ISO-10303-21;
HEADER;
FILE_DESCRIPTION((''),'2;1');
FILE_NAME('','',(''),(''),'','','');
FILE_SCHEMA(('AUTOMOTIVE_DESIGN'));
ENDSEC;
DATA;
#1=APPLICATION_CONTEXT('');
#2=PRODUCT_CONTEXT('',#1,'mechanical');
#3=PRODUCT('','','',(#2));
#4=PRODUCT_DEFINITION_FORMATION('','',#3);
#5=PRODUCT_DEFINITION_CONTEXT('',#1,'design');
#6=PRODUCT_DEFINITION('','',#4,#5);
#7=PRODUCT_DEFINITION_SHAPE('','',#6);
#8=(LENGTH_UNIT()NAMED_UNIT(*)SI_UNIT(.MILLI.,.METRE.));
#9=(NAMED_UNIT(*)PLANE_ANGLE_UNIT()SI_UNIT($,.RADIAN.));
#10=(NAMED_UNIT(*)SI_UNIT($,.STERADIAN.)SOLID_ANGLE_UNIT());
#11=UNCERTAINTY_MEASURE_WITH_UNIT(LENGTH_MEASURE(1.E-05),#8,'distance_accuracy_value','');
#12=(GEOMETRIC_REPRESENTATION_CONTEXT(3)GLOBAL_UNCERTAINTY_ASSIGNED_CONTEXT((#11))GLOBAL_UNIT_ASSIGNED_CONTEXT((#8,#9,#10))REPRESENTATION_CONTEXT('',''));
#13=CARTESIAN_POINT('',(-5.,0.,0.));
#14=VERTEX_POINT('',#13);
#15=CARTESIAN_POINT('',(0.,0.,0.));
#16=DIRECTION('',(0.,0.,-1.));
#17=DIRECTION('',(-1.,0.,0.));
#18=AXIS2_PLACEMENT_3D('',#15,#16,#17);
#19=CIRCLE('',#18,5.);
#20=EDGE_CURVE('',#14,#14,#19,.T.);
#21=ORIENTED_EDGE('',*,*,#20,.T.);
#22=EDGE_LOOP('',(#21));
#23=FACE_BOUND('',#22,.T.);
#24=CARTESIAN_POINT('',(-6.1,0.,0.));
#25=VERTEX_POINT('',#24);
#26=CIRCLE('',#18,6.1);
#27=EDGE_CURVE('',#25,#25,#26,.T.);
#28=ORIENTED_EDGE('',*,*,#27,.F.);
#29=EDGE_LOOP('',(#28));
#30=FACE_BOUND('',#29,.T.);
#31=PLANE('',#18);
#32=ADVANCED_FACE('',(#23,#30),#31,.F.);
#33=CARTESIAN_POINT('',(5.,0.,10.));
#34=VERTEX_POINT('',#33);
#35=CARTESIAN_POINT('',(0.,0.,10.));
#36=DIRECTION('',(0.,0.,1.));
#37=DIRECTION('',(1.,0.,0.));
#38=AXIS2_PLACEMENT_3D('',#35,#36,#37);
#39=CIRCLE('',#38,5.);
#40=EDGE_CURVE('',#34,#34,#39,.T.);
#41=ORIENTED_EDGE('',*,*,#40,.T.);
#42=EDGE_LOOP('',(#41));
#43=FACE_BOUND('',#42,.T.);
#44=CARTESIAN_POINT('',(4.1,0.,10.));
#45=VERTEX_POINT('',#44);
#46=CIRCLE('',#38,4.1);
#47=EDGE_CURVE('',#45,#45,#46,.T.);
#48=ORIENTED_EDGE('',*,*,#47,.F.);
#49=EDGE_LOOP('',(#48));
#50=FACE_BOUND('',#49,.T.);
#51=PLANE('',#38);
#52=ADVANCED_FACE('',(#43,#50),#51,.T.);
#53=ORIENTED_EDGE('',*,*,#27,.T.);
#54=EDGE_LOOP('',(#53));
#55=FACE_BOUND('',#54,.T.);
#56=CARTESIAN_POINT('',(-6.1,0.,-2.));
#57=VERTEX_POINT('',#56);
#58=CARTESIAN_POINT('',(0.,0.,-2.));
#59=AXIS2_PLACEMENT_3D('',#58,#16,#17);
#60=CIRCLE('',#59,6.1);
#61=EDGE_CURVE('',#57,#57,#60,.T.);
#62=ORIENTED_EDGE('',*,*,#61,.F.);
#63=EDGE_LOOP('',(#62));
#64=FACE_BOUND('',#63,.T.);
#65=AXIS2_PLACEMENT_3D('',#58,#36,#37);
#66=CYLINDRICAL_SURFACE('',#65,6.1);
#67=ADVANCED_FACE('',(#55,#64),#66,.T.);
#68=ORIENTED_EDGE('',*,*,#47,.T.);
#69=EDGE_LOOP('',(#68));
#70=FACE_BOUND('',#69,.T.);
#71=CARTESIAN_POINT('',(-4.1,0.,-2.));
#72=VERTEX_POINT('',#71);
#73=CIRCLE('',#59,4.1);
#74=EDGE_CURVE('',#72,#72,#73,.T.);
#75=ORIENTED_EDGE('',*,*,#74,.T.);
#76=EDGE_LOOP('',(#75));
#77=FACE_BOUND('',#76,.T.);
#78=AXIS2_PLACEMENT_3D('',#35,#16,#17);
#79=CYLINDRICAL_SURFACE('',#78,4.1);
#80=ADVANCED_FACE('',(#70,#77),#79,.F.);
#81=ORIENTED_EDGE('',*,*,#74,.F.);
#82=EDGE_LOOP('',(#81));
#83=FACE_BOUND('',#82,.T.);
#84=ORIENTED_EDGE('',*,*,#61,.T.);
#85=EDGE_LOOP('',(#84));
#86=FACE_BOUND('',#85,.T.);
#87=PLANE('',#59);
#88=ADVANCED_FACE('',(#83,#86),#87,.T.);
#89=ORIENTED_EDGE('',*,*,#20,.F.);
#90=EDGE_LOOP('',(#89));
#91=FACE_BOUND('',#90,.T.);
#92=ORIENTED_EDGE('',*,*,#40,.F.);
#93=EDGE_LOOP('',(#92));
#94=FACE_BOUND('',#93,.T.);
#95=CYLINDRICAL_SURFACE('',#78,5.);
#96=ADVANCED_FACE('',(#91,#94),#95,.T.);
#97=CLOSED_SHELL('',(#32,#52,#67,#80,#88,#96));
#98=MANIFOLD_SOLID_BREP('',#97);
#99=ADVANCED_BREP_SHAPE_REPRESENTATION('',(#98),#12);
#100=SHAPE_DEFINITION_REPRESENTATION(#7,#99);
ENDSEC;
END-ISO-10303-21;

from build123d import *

# Parameters (mm, degrees)
SKETCH1_R           = 5
SKETCH1_R_2         = 4.1
BOSS_EXTRUDE1_DEPTH = 10
SKETCH2_R           = 6.1
SKETCH2_R_2         = 4.1
EXTRUDE_THIN1_DEPTH = 2


with BuildPart() as part:
    # Sketch1 → Boss-Extrude1 (new body)
    with BuildSketch(Plane.XY):
        Circle(SKETCH1_R)
        Circle(SKETCH1_R_2, mode=Mode.SUBTRACT)
    extrude(amount=BOSS_EXTRUDE1_DEPTH)

    # Sketch2 → Extrude-Thin1 (add)
    with BuildSketch(Plane(origin=(0, 0, 0), x_dir=(-1, 0, 0), z_dir=(0, 0, -1))):
        Circle(SKETCH2_R)
        Circle(SKETCH2_R_2, mode=Mode.SUBTRACT)
    extrude(amount=EXTRUDE_THIN1_DEPTH)


solid = part.part
